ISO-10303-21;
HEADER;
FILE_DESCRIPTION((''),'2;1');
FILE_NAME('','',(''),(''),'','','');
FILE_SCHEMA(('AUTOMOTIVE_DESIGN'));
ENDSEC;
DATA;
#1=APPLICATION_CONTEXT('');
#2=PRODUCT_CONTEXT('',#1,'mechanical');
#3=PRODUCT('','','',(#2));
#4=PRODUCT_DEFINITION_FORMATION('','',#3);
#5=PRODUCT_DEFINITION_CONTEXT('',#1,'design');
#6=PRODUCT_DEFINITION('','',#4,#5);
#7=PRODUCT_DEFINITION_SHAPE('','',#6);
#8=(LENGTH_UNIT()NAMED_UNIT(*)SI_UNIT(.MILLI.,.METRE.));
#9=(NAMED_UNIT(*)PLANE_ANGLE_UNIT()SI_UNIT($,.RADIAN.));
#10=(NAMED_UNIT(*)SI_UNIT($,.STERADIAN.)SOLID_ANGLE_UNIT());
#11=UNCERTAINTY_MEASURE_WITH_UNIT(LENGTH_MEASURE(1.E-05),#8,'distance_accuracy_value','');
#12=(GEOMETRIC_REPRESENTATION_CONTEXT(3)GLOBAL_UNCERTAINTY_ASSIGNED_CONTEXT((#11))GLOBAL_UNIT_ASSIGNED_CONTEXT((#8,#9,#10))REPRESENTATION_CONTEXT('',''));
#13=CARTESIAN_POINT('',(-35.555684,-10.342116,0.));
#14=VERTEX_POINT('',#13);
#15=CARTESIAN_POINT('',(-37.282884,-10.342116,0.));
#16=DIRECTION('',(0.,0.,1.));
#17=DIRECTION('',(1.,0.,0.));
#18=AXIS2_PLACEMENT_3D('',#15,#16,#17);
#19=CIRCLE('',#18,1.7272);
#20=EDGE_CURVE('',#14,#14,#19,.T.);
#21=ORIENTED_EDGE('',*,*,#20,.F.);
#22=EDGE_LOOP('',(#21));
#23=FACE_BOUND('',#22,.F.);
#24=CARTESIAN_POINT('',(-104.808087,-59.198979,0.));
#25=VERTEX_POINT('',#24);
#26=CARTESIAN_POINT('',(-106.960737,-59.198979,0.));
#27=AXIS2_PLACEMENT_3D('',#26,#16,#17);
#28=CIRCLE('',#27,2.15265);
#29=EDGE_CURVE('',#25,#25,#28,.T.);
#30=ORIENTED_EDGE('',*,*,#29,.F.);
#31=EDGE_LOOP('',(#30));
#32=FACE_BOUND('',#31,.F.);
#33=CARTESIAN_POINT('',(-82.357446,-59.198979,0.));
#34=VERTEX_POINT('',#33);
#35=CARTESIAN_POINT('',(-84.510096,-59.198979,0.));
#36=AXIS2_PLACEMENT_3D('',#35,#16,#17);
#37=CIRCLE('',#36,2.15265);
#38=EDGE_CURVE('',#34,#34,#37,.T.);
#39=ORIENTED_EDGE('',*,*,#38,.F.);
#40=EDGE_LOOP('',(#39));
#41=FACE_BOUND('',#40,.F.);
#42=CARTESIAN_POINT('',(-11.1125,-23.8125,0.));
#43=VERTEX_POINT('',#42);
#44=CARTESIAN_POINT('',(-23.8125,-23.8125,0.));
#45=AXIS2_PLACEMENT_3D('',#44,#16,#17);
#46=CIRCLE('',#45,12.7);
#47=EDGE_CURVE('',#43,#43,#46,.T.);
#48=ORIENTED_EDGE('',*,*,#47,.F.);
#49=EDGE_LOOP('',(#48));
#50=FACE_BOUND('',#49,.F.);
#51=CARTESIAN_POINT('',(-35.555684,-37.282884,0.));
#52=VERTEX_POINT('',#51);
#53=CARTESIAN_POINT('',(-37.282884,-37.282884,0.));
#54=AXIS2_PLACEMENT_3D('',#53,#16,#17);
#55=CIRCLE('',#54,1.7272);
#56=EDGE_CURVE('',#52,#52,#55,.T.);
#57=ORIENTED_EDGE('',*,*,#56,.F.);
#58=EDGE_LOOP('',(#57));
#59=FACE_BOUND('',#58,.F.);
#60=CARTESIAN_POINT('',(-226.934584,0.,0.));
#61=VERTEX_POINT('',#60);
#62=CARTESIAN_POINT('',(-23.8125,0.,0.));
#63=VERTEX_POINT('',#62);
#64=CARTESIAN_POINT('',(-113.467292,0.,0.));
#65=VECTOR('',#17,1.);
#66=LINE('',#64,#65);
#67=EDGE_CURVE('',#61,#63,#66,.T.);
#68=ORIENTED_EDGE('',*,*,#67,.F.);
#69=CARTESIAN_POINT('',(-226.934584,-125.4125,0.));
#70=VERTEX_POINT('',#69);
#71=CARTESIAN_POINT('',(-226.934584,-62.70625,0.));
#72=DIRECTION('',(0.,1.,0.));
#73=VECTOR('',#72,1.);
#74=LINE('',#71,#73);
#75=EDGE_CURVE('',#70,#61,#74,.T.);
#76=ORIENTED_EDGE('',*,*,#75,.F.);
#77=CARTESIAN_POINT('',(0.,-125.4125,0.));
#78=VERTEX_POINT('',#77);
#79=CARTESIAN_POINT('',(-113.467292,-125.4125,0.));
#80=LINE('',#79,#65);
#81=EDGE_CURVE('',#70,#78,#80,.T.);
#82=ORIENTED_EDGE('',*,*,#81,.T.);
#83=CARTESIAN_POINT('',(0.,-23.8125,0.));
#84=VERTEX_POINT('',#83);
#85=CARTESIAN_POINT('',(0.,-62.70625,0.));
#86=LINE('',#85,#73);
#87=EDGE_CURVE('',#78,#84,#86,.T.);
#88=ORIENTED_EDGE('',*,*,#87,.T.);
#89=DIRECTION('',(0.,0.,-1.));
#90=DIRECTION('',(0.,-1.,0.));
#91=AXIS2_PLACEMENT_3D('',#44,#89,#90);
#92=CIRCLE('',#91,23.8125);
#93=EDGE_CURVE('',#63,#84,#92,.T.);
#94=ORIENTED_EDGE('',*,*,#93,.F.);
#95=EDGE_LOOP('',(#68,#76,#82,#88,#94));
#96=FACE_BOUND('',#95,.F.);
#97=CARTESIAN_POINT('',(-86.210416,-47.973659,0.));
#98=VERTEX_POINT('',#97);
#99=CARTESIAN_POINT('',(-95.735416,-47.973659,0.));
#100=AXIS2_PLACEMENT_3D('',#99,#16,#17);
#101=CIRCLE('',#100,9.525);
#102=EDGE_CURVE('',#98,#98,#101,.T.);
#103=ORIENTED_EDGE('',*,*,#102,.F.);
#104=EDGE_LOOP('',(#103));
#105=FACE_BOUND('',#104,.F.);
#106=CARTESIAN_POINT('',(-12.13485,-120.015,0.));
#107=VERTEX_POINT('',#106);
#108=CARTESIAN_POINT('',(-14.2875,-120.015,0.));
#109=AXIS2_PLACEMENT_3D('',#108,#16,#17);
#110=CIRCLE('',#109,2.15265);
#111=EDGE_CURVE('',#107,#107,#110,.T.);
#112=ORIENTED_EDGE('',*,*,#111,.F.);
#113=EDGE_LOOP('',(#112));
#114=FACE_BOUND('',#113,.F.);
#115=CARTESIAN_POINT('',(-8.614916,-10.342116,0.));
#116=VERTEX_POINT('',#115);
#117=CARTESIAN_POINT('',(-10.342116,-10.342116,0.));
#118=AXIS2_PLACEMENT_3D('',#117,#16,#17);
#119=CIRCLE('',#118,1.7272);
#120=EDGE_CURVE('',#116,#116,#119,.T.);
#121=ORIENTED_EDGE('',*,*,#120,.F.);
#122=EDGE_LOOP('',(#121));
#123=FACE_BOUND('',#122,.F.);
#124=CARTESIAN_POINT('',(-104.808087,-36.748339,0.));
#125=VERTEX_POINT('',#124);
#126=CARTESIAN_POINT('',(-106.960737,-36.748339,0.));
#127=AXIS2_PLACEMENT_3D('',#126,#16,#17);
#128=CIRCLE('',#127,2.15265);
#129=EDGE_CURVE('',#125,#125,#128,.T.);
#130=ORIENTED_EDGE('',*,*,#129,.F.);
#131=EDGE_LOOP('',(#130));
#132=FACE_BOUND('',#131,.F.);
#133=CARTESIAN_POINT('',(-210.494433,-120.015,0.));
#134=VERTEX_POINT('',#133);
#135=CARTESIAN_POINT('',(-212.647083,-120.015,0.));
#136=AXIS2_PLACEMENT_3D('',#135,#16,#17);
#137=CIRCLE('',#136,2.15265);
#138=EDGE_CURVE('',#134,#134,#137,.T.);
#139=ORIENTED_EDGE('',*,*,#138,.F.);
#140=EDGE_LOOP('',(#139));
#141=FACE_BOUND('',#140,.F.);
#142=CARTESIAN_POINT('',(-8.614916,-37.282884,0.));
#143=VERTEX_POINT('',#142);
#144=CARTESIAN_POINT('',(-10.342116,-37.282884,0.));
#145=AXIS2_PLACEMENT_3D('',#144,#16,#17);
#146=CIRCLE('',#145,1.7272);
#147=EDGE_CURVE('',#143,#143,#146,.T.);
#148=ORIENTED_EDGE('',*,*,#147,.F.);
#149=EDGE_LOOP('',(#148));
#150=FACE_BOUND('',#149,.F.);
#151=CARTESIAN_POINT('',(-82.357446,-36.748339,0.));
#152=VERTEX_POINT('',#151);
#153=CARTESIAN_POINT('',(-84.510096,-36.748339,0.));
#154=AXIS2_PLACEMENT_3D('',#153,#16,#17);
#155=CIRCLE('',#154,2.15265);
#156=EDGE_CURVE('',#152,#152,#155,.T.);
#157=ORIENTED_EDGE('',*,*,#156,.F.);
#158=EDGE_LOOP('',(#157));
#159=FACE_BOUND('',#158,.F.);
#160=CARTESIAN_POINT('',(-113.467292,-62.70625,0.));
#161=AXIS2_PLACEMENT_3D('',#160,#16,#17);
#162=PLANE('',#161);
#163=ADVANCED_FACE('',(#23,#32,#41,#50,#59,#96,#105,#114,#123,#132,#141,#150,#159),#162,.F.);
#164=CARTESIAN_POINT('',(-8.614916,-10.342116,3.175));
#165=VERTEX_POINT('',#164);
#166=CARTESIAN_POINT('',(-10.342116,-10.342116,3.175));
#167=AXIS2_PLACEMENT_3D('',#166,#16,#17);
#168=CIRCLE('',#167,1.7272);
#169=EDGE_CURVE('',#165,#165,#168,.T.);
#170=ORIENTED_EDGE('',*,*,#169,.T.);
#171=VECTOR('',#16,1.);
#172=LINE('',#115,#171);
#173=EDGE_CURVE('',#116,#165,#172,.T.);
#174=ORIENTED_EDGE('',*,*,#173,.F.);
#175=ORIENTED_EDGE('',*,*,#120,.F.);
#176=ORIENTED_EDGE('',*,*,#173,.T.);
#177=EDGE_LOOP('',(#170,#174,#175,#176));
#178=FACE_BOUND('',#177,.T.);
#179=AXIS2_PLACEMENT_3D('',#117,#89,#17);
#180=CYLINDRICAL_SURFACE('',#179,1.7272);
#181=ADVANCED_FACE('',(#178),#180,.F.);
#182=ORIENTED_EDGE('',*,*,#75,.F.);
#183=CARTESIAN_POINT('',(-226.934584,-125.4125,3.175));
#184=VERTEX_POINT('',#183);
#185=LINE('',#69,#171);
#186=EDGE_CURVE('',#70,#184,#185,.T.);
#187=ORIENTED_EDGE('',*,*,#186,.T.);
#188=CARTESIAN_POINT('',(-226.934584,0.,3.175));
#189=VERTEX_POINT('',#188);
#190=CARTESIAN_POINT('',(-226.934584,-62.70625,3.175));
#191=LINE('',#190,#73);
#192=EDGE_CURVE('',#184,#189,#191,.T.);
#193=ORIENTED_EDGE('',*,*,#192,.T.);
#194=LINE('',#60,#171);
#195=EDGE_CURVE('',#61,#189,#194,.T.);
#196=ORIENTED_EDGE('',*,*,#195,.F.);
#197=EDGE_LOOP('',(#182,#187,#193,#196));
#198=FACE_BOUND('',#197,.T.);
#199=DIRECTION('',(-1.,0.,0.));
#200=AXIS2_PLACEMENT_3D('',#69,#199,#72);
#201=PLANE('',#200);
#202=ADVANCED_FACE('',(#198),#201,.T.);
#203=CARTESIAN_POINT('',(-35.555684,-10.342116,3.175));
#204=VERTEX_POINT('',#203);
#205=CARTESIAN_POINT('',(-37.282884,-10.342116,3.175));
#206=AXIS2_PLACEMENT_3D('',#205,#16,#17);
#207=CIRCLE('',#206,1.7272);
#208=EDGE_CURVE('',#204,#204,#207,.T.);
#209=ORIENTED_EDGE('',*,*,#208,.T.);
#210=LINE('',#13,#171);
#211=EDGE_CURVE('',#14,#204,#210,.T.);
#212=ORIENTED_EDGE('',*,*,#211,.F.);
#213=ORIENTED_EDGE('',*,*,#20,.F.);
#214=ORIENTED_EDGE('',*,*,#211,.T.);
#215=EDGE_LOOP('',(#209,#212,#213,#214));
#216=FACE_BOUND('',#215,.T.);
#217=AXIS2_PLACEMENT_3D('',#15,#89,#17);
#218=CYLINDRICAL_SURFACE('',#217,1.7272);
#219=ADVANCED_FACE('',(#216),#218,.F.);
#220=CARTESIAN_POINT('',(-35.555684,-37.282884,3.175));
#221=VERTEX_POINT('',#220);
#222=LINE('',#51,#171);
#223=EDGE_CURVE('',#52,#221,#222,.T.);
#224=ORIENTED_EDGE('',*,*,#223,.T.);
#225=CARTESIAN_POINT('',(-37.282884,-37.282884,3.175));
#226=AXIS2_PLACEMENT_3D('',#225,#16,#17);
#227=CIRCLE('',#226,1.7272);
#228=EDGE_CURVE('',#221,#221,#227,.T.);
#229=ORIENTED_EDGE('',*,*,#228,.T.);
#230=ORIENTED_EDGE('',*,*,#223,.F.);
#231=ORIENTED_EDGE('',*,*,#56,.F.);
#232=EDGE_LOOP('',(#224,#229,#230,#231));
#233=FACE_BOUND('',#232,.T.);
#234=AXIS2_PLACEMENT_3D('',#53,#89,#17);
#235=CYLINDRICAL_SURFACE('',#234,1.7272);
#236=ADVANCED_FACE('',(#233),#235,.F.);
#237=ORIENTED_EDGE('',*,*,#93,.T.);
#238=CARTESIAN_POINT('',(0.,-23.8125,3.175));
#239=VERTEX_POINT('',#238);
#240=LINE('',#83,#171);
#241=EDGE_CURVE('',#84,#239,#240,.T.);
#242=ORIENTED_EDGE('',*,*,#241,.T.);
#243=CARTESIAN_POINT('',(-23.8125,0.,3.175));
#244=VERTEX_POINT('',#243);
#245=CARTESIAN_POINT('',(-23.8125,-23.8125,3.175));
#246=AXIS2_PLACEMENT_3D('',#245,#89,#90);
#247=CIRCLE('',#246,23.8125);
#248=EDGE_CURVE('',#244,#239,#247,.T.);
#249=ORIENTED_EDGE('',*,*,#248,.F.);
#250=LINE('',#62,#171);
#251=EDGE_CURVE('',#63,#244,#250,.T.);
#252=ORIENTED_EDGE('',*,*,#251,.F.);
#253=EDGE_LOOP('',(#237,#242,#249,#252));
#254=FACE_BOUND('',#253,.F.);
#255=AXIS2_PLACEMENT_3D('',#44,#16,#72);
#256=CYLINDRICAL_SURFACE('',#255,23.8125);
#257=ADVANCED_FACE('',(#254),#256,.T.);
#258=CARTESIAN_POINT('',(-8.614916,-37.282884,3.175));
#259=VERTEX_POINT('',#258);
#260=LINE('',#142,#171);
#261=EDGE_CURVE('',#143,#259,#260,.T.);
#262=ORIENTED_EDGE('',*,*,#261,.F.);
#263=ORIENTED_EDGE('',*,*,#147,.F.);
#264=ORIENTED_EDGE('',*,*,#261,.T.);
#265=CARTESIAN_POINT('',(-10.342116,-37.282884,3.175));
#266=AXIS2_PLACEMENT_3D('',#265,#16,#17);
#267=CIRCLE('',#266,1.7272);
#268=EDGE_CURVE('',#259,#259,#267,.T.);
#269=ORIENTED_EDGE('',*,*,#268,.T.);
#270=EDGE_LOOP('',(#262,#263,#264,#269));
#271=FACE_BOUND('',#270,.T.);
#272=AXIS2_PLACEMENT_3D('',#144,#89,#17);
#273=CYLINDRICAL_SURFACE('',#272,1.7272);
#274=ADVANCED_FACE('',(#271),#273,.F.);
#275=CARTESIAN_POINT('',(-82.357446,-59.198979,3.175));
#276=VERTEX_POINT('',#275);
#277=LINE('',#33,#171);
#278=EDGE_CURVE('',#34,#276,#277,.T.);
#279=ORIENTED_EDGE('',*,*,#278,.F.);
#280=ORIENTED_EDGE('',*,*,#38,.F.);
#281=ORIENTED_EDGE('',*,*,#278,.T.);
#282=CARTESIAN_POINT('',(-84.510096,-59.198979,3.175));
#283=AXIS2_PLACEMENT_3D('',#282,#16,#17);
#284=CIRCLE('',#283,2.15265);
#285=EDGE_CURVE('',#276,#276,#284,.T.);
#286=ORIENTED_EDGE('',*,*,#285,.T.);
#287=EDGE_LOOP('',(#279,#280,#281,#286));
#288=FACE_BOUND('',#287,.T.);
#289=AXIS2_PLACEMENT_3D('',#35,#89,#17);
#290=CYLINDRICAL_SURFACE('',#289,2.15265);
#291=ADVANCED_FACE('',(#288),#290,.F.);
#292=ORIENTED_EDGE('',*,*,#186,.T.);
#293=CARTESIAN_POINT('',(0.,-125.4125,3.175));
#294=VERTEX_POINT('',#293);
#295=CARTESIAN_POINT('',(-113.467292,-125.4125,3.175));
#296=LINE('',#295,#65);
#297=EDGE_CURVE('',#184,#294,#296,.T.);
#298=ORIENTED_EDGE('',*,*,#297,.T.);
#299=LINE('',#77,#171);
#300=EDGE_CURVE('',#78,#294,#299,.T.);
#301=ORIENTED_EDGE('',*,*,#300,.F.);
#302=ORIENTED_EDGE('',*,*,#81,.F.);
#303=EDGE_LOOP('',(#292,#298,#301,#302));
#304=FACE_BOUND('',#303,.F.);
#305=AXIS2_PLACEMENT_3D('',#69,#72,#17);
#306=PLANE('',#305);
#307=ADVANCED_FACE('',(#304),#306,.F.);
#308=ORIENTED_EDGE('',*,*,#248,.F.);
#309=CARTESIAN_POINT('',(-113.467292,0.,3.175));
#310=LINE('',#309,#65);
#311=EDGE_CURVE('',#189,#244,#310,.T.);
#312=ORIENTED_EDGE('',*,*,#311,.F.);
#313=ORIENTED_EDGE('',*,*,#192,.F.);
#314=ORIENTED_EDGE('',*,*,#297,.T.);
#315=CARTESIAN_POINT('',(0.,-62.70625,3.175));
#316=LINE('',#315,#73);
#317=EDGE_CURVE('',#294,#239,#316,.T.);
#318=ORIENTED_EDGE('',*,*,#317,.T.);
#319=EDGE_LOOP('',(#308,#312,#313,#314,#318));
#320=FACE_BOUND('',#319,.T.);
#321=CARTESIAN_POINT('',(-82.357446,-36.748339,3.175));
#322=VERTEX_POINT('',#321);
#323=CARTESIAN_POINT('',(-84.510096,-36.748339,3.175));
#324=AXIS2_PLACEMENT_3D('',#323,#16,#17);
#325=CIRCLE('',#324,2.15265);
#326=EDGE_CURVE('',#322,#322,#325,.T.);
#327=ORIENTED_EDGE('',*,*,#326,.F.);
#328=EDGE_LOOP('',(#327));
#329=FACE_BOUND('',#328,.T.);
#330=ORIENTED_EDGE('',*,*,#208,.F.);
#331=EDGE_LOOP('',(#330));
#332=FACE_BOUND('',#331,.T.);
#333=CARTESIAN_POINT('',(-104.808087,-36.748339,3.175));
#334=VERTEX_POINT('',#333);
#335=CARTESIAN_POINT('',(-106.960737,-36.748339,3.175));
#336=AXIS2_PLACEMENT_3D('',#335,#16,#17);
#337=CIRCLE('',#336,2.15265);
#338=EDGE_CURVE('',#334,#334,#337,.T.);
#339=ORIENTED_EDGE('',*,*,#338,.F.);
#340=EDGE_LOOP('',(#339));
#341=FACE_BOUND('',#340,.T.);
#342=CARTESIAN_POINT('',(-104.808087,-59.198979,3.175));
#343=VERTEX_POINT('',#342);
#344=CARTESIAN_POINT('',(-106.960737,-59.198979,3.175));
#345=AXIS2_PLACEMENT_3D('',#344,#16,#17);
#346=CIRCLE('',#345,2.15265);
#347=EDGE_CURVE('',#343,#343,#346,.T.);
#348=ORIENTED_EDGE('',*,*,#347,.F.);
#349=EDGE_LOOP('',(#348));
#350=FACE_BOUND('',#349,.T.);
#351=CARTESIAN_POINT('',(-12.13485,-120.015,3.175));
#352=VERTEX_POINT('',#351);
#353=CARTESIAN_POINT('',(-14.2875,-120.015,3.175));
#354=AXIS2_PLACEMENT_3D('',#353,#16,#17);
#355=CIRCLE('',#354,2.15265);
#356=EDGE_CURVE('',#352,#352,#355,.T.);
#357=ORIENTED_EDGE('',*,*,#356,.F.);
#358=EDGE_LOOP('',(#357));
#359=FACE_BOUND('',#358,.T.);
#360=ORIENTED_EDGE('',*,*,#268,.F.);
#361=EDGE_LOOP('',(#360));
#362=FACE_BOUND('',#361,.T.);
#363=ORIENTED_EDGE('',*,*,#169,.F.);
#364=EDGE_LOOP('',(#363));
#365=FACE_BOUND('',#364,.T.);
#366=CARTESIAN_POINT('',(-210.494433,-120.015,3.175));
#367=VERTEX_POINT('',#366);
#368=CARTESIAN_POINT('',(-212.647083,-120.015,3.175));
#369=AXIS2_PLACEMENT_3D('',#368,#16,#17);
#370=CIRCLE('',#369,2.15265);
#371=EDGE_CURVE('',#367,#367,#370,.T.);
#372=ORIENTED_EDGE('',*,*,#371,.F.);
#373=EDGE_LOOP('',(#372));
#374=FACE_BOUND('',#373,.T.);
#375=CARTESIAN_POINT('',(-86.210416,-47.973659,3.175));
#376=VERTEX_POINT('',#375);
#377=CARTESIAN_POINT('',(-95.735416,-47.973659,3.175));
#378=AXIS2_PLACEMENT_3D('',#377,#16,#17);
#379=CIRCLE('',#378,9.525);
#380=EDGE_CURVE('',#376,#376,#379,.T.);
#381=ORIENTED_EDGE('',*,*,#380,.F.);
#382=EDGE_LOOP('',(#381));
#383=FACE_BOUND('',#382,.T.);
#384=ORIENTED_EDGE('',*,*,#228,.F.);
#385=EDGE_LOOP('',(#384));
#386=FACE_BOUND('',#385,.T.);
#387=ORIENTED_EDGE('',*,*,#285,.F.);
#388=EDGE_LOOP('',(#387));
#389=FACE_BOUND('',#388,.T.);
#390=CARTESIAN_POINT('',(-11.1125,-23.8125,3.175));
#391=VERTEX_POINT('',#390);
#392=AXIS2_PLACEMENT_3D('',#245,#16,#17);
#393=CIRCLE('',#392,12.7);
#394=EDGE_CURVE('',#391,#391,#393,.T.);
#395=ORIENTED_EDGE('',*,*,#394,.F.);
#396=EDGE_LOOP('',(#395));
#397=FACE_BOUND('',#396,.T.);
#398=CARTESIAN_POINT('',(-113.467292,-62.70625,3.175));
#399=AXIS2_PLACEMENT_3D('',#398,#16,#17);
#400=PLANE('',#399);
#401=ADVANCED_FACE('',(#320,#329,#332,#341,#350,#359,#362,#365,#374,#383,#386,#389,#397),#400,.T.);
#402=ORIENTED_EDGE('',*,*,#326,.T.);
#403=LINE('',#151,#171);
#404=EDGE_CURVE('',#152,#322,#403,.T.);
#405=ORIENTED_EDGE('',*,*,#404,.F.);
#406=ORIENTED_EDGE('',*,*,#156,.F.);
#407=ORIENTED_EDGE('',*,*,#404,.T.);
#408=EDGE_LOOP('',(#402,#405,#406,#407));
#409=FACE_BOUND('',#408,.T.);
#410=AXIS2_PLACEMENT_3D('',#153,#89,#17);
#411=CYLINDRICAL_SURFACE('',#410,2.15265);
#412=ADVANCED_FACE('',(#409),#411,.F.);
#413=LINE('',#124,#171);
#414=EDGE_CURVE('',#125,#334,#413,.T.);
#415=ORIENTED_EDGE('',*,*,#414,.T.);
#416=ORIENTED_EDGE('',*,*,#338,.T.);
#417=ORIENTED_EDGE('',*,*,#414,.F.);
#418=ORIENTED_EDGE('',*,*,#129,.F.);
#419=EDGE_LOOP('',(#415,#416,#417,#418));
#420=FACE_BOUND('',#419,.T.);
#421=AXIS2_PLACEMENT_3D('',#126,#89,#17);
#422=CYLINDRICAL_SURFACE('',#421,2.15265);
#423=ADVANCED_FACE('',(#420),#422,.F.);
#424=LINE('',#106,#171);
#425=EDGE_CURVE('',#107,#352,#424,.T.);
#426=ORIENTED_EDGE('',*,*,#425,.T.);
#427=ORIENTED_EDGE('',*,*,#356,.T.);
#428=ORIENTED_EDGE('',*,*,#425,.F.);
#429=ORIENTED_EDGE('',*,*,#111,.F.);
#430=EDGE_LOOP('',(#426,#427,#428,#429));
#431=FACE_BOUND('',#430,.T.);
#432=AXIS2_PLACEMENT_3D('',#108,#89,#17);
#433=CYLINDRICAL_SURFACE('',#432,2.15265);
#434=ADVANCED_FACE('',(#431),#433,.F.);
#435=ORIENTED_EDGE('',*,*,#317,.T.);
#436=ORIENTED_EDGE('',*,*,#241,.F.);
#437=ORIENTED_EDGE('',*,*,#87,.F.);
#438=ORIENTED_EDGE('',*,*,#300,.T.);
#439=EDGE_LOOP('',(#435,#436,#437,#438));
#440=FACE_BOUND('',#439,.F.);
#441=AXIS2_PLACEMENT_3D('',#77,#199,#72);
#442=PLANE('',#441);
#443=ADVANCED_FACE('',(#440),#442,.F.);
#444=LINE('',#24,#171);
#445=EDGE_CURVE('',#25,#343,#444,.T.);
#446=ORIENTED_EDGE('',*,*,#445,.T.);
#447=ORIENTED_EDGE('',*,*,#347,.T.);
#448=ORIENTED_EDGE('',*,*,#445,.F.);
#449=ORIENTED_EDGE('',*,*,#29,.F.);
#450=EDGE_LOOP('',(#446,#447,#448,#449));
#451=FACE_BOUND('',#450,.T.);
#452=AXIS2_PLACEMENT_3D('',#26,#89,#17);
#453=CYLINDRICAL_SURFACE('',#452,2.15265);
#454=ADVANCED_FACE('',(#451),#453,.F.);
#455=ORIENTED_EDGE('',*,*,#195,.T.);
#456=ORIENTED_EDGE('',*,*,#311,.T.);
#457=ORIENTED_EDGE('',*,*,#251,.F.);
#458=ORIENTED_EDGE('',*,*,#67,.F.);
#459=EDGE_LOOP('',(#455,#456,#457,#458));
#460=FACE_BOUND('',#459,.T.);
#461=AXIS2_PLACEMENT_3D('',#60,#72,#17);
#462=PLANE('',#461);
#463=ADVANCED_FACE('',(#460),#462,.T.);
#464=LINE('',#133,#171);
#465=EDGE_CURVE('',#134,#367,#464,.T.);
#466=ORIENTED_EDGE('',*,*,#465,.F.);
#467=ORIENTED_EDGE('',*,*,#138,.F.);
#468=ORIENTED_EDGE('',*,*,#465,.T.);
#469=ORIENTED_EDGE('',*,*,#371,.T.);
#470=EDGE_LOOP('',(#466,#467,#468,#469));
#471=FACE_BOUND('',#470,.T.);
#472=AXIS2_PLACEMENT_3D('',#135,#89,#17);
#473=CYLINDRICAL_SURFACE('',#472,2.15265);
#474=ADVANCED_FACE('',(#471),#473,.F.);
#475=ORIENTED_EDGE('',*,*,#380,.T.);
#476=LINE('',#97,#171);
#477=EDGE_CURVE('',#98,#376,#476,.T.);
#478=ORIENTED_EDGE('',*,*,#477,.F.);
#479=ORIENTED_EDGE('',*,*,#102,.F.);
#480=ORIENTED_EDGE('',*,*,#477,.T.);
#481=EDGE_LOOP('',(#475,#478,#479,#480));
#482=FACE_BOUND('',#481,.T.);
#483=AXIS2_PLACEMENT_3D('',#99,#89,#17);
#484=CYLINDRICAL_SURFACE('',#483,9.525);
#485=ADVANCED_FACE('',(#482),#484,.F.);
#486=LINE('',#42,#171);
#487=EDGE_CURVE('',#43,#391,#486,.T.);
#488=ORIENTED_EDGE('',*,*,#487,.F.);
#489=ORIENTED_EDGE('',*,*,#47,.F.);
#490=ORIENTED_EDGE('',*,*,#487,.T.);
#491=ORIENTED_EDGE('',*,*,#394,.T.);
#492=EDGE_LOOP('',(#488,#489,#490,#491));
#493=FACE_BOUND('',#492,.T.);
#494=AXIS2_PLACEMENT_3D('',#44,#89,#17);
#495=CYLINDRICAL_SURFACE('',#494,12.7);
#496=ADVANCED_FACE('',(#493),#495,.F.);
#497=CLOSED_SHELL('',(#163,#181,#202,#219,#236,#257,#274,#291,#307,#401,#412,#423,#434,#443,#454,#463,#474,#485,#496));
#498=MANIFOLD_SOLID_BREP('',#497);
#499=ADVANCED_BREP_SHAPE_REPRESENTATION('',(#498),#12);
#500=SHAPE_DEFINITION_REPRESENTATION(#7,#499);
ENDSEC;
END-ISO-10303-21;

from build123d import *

# Parameters (mm, degrees)
F0_W     = 226.934583
F0_H     = 125.4125
F0_R     = 2.15265
F0_R_2   = 9.525
F0_R_3   = 1.7272
F0_R_4   = 12.7
F1_DEPTH = 3.175
F2_R     = 23.8125


with BuildPart() as f1:
    # F0 (on Top) → F1 (new body)
    with BuildSketch(Plane.XY):
        with Locations((-113.467292, -62.70625)):
            Rectangle(F0_W, F0_H)
        with Locations((-212.647083, -120.015)):
            Circle(F0_R, mode=Mode.SUBTRACT)
        with Locations((-14.2875, -120.015)):
            Circle(F0_R, mode=Mode.SUBTRACT)
        with Locations((-106.960737, -59.198979)):
            Circle(F0_R, mode=Mode.SUBTRACT)
        with Locations((-95.735416, -47.973659)):
            Circle(F0_R_2, mode=Mode.SUBTRACT)
        with Locations((-84.510096, -59.198979)):
            Circle(F0_R, mode=Mode.SUBTRACT)
        with Locations((-106.960737, -36.748339)):
            Circle(F0_R, mode=Mode.SUBTRACT)
        with Locations((-84.510096, -36.748339)):
            Circle(F0_R, mode=Mode.SUBTRACT)
        with Locations((-37.282884, -37.282884)):
            Circle(F0_R_3, mode=Mode.SUBTRACT)
        with Locations((-10.342116, -37.282884)):
            Circle(F0_R_3, mode=Mode.SUBTRACT)
        with Locations((-23.8125, -23.8125)):
            Circle(F0_R_4, mode=Mode.SUBTRACT)
        with Locations((-37.282884, -10.342116)):
            Circle(F0_R_3, mode=Mode.SUBTRACT)
        with Locations((-10.342116, -10.342116)):
            Circle(F0_R_3, mode=Mode.SUBTRACT)
    extrude(amount=F1_DEPTH)

    # F2
    f2_edges = [f1.edges().sort_by_distance(p)[0] for p in [
        (0, 0, 1.5875),
    ]]
    fillet(f2_edges, radius=F2_R)


solid = f1.part
